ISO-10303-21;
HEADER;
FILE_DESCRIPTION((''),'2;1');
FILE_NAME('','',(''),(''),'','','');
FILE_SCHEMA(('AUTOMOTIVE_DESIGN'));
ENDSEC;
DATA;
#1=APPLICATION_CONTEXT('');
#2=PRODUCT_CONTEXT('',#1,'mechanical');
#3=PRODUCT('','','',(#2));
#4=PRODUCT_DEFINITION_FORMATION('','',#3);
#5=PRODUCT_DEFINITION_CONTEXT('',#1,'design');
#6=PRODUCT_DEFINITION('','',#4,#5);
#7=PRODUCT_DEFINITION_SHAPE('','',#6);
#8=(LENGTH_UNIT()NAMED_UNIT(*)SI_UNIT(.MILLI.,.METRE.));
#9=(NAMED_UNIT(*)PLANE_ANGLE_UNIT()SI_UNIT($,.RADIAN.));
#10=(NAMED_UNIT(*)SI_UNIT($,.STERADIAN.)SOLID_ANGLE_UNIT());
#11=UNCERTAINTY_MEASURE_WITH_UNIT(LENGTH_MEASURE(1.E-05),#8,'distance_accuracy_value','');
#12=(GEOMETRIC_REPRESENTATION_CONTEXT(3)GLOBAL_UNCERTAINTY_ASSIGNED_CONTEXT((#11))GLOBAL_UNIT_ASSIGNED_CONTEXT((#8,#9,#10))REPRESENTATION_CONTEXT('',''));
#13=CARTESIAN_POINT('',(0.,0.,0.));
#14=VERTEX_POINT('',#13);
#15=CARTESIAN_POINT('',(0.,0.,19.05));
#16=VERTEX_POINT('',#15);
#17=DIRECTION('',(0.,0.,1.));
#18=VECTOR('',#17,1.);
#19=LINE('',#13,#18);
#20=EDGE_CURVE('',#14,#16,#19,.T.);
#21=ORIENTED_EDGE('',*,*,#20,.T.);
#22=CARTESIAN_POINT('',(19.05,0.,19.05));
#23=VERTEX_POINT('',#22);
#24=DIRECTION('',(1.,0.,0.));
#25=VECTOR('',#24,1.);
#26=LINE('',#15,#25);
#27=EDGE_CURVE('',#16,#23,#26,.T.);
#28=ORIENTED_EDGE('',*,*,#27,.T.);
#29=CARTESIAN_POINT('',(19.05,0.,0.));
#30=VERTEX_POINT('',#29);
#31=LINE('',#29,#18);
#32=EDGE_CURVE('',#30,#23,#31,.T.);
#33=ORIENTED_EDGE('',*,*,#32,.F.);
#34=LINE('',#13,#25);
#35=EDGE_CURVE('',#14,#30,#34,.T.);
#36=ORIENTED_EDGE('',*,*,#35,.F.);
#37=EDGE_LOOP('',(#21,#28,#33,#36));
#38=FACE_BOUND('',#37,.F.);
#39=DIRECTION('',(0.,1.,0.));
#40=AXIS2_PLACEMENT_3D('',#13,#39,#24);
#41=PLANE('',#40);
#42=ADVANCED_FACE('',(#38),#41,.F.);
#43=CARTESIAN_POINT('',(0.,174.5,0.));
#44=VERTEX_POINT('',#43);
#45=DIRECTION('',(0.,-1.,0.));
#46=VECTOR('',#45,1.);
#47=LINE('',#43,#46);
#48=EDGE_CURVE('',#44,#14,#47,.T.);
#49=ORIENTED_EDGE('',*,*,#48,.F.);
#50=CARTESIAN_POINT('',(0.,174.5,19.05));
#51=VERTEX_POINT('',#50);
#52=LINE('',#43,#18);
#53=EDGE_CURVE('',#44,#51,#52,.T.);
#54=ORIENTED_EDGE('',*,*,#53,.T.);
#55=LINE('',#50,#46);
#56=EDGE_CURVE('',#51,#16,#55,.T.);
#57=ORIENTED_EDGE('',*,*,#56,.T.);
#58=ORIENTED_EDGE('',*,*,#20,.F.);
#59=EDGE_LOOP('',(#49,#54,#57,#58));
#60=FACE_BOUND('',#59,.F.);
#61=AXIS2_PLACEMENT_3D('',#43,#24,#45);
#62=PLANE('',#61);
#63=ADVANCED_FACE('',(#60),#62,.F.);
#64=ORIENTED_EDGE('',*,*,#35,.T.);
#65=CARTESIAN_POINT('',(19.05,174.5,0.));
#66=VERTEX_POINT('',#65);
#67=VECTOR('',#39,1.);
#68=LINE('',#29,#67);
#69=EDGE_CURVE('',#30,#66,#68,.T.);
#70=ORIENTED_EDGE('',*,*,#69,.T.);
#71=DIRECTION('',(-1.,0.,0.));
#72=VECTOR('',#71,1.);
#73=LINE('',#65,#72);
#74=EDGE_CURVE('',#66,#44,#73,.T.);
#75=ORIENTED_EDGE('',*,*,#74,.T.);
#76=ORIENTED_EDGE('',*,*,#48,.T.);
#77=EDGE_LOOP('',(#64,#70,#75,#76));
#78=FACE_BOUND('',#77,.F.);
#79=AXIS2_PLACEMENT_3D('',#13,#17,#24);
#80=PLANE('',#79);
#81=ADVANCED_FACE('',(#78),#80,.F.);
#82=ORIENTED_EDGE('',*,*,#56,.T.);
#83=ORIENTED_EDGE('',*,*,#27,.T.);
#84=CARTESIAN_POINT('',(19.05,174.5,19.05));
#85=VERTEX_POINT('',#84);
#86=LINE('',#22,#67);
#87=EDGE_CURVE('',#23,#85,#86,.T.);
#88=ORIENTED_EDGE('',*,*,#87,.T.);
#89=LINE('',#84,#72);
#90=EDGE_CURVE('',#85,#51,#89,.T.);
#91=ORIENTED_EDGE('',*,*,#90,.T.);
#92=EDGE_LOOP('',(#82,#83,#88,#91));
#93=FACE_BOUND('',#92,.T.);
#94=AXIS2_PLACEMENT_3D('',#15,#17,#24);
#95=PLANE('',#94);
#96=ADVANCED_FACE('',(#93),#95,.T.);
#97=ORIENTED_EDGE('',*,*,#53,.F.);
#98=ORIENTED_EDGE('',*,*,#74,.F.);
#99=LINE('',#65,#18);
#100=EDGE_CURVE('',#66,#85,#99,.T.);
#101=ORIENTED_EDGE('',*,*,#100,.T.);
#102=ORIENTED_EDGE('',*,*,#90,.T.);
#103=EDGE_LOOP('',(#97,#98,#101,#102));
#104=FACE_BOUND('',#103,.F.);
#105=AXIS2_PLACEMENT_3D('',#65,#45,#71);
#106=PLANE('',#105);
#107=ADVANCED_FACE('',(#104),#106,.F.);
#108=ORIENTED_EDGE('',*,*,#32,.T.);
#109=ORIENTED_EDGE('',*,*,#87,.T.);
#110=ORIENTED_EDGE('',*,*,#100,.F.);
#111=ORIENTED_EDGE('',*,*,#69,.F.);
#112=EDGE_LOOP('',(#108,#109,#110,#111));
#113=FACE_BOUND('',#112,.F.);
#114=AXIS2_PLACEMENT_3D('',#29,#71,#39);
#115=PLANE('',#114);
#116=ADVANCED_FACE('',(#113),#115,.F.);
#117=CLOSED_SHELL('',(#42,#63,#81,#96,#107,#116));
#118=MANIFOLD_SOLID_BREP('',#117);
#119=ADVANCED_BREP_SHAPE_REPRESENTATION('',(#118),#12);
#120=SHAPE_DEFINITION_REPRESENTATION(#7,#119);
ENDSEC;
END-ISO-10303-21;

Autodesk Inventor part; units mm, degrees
ref_plane "YZ Plane" through (0, 0, 0) normal (1, 0, 0) x (0, 1, 0)
ref_plane "XZ Plane" through (0, 0, 0) normal (0, 1, 0) x (-1, 0, 0)
ref_plane "XY Plane" through (0, 0, 0) normal (0, 0, 1) x (1, 0, 0)
sketch "Sketch2" plane through (0, 0, 0) normal (0, 0, 1) x (1, 0, 0)
  line L0 (0, 0) -> (19.05, 0)
  line L1 (19.05, 0) -> (19.05, 174.5)
  line L2 (19.05, 174.5) -> (0, 174.5)
  line L3 (0, 174.5) -> (0, 0)
  dimension "d9" = 19.05
  dimension "d10" = 174.5
extrude "Extrusion1" add sketch "Sketch2" along normal blind 19.05
properties part number "C009" material "Wood (Birch)"
